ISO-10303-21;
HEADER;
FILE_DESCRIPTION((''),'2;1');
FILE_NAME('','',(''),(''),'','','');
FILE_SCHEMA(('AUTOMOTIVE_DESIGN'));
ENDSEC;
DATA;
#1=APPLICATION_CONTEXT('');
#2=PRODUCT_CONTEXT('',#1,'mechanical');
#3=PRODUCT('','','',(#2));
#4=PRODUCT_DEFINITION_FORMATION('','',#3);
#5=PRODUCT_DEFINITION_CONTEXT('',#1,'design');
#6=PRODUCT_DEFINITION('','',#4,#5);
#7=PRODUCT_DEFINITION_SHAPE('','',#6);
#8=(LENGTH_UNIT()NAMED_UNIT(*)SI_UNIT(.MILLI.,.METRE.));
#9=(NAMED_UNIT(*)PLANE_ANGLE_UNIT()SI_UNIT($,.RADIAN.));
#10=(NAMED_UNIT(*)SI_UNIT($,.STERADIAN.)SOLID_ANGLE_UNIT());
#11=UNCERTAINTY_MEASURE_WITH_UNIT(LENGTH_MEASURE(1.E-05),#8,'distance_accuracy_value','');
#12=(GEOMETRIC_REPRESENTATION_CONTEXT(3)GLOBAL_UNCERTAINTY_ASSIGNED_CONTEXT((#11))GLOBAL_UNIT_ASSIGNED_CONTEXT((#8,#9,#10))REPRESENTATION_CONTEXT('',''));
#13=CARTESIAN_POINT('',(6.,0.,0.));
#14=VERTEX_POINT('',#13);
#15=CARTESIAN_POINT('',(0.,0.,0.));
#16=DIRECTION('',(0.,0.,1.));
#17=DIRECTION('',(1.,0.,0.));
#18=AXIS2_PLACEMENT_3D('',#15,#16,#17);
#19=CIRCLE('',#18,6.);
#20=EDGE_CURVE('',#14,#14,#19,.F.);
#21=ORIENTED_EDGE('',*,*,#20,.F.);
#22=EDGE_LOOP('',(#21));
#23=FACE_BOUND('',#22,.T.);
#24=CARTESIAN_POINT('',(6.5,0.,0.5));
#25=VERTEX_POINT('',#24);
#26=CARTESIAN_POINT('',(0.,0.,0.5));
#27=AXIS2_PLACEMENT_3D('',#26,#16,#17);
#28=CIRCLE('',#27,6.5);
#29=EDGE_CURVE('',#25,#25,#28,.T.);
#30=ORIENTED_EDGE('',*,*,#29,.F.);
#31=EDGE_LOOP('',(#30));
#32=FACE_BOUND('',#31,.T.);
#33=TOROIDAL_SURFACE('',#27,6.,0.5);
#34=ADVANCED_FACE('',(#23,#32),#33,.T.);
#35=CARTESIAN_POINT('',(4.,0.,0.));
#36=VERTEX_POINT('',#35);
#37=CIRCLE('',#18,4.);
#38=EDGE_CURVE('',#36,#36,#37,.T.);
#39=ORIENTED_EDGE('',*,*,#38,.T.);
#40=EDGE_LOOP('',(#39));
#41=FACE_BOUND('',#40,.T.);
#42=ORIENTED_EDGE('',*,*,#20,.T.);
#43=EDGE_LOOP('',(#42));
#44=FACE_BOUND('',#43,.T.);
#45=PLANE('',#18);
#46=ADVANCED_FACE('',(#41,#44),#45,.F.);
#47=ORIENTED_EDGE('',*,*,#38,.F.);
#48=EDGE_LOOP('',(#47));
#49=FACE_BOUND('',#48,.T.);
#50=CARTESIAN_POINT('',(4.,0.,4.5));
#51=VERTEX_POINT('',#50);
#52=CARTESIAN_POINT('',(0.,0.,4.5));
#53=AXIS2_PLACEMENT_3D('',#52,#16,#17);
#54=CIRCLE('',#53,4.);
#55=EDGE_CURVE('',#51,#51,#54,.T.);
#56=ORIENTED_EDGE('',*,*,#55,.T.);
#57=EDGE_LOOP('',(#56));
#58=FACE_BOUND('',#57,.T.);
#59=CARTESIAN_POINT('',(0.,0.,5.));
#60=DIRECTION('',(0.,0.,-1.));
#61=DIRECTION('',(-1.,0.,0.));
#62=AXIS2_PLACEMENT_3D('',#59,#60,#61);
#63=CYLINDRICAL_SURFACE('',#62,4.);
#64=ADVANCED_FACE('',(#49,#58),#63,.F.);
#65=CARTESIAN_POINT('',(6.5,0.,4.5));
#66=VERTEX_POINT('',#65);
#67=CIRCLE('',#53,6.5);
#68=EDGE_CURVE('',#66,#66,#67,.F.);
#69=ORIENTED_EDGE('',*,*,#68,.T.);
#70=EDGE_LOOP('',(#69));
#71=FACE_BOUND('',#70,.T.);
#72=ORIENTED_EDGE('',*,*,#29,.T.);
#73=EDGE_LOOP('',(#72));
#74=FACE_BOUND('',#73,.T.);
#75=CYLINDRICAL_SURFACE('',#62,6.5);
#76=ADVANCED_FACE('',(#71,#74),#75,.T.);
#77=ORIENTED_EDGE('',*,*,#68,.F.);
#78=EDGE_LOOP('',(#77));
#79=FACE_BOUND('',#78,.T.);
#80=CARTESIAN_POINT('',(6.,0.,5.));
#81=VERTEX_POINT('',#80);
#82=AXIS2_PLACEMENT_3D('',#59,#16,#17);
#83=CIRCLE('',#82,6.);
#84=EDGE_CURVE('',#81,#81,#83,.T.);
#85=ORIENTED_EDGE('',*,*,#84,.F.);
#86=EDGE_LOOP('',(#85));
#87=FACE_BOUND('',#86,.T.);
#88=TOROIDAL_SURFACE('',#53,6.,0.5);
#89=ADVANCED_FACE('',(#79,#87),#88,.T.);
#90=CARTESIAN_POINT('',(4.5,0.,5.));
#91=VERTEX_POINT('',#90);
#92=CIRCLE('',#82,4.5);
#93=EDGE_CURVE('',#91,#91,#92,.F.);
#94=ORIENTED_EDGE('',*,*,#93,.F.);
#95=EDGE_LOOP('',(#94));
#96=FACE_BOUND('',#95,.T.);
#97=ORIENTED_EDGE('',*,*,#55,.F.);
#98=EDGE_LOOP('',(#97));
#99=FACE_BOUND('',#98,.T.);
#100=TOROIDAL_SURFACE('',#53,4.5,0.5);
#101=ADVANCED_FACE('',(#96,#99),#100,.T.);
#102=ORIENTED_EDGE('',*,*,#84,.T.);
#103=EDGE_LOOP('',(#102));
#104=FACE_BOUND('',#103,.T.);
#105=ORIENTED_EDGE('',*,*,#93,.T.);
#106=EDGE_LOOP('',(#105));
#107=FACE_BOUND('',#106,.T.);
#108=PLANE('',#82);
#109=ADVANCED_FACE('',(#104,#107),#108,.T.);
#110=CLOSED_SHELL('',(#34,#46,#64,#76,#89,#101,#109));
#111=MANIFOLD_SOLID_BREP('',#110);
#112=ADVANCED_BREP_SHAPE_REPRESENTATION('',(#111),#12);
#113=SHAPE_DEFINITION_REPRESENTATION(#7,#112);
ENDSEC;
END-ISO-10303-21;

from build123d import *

# Parameters (mm, degrees)
SKETCH_1_R      = 6.5
SKETCH_1_R_2    = 4
EXTRUDE_1_DEPTH = 5
FILLET_1_R      = 0.5


with BuildPart() as part:
    # 草图1 → 凸台-拉伸1 (new body)
    with BuildSketch(Plane.XY):
        Circle(SKETCH_1_R)
        Circle(SKETCH_1_R_2, mode=Mode.SUBTRACT)
    extrude(amount=EXTRUDE_1_DEPTH)

    # 圆角1
    fillet_1_edges = [part.edges().sort_by_distance(p)[0] for p in [
        (-6.5, 0, 0),
        (-6.5, 0, 5),
        (-4, 0, 5),
    ]]
    fillet(fillet_1_edges, radius=FILLET_1_R)


solid = part.part
